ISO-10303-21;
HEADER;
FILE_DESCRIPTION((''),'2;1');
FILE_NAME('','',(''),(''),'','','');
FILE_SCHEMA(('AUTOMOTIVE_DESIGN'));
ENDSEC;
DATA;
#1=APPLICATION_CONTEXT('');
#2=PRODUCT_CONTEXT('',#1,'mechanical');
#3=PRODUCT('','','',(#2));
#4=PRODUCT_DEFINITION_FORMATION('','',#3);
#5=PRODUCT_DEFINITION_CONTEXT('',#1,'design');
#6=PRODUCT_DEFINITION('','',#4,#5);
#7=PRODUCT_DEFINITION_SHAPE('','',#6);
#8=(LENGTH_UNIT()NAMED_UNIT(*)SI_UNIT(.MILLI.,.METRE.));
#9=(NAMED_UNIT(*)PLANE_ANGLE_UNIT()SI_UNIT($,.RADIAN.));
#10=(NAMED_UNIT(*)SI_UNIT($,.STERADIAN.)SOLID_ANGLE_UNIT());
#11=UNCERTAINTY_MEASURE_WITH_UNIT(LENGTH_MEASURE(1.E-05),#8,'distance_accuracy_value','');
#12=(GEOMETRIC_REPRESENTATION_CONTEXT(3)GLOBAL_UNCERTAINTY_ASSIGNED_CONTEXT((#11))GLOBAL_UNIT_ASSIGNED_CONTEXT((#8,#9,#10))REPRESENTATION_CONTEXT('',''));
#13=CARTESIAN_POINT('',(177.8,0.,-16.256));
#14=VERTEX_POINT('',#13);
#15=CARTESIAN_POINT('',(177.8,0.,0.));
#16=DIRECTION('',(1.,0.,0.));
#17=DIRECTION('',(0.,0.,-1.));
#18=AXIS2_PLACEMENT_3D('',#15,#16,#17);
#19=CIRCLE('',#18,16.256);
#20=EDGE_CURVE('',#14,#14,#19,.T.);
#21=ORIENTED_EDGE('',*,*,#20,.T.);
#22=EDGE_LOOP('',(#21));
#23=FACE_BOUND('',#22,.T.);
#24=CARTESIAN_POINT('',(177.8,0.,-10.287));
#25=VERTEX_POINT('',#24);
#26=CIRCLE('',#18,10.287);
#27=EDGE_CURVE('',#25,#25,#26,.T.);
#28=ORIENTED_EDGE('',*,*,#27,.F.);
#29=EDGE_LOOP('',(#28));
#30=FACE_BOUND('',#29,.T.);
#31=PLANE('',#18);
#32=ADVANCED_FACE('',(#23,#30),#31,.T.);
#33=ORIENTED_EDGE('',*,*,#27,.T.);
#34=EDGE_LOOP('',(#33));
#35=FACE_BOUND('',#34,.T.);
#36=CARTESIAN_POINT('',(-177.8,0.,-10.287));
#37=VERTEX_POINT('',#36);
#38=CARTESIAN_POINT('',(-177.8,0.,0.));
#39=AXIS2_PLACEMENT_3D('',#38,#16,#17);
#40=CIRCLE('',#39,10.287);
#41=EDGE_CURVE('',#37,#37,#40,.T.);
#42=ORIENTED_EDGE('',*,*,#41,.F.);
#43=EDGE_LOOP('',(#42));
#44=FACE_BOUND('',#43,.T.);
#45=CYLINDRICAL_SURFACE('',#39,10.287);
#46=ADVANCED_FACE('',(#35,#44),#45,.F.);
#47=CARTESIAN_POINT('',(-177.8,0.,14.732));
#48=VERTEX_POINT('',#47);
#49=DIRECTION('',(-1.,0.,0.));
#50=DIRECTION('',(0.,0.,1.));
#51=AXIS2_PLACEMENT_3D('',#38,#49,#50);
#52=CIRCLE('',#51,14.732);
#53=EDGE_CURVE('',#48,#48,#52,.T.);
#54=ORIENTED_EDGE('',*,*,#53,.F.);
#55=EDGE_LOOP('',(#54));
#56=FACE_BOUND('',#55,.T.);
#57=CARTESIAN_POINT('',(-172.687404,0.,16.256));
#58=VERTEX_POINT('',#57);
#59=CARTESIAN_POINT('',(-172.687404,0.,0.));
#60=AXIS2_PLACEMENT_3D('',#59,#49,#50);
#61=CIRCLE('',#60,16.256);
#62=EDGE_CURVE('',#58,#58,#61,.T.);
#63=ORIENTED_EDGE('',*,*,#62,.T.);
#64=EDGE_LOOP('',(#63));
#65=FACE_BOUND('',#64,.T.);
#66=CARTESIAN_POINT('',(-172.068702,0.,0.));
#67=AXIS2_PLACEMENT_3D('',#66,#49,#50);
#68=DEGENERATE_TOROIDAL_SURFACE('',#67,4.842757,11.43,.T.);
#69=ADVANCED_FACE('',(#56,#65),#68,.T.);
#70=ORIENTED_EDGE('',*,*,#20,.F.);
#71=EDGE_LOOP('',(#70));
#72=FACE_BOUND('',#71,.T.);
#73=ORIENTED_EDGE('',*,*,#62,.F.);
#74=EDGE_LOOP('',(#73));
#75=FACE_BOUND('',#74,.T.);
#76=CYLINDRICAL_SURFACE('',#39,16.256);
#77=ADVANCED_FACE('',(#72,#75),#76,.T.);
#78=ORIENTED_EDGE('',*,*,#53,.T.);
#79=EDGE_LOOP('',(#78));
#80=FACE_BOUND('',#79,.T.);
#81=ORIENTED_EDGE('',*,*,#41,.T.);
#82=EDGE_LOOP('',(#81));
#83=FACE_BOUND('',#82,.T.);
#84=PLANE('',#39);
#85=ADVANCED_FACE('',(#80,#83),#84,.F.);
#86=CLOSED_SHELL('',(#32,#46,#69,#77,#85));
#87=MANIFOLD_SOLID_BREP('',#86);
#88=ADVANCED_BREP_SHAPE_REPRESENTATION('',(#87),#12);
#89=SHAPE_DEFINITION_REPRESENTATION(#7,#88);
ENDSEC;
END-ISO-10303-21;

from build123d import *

# Parameters (mm, degrees)
SKETCH1_R                = 16.256
SKETCH1_R_2              = 10.287
BOSS_EXTRUDE1_DEPTH      = 177.8
BOSS_EXTRUDE1_DEPTH_BACK = 177.8


with BuildPart() as part:
    # Sketch1 → Boss-Extrude1 (new body, two sides)
    with BuildSketch(Plane(origin=(0, 0, 0), x_dir=(0, 0, -1), z_dir=(1, 0, 0))) as boss_extrude1_sk:
        Circle(SKETCH1_R)
        Circle(SKETCH1_R_2, mode=Mode.SUBTRACT)
    extrude(amount=BOSS_EXTRUDE1_DEPTH)
    extrude(boss_extrude1_sk.sketch, amount=-BOSS_EXTRUDE1_DEPTH_BACK)

    # Sketch3 → Cut-Revolve1 (revolve, cut)
    with BuildSketch(Plane(origin=(0, 0, 0), x_dir=(1, 0, 0), z_dir=(0, 1, 0))):
        with BuildLine():
            Line((-172.687403521, 16.256), (-177.8, 16.256))
            Line((-177.8, 16.256), (-177.8, 14.732))
            ThreePointArc((-177.8, 14.732), (-175.333861634, 15.79646132), (-172.687403521, 16.256))
        make_face()
    revolve(axis=Axis((-177.8, 0, 0), (1, 0, 0)), mode=Mode.SUBTRACT)


solid = part.part
